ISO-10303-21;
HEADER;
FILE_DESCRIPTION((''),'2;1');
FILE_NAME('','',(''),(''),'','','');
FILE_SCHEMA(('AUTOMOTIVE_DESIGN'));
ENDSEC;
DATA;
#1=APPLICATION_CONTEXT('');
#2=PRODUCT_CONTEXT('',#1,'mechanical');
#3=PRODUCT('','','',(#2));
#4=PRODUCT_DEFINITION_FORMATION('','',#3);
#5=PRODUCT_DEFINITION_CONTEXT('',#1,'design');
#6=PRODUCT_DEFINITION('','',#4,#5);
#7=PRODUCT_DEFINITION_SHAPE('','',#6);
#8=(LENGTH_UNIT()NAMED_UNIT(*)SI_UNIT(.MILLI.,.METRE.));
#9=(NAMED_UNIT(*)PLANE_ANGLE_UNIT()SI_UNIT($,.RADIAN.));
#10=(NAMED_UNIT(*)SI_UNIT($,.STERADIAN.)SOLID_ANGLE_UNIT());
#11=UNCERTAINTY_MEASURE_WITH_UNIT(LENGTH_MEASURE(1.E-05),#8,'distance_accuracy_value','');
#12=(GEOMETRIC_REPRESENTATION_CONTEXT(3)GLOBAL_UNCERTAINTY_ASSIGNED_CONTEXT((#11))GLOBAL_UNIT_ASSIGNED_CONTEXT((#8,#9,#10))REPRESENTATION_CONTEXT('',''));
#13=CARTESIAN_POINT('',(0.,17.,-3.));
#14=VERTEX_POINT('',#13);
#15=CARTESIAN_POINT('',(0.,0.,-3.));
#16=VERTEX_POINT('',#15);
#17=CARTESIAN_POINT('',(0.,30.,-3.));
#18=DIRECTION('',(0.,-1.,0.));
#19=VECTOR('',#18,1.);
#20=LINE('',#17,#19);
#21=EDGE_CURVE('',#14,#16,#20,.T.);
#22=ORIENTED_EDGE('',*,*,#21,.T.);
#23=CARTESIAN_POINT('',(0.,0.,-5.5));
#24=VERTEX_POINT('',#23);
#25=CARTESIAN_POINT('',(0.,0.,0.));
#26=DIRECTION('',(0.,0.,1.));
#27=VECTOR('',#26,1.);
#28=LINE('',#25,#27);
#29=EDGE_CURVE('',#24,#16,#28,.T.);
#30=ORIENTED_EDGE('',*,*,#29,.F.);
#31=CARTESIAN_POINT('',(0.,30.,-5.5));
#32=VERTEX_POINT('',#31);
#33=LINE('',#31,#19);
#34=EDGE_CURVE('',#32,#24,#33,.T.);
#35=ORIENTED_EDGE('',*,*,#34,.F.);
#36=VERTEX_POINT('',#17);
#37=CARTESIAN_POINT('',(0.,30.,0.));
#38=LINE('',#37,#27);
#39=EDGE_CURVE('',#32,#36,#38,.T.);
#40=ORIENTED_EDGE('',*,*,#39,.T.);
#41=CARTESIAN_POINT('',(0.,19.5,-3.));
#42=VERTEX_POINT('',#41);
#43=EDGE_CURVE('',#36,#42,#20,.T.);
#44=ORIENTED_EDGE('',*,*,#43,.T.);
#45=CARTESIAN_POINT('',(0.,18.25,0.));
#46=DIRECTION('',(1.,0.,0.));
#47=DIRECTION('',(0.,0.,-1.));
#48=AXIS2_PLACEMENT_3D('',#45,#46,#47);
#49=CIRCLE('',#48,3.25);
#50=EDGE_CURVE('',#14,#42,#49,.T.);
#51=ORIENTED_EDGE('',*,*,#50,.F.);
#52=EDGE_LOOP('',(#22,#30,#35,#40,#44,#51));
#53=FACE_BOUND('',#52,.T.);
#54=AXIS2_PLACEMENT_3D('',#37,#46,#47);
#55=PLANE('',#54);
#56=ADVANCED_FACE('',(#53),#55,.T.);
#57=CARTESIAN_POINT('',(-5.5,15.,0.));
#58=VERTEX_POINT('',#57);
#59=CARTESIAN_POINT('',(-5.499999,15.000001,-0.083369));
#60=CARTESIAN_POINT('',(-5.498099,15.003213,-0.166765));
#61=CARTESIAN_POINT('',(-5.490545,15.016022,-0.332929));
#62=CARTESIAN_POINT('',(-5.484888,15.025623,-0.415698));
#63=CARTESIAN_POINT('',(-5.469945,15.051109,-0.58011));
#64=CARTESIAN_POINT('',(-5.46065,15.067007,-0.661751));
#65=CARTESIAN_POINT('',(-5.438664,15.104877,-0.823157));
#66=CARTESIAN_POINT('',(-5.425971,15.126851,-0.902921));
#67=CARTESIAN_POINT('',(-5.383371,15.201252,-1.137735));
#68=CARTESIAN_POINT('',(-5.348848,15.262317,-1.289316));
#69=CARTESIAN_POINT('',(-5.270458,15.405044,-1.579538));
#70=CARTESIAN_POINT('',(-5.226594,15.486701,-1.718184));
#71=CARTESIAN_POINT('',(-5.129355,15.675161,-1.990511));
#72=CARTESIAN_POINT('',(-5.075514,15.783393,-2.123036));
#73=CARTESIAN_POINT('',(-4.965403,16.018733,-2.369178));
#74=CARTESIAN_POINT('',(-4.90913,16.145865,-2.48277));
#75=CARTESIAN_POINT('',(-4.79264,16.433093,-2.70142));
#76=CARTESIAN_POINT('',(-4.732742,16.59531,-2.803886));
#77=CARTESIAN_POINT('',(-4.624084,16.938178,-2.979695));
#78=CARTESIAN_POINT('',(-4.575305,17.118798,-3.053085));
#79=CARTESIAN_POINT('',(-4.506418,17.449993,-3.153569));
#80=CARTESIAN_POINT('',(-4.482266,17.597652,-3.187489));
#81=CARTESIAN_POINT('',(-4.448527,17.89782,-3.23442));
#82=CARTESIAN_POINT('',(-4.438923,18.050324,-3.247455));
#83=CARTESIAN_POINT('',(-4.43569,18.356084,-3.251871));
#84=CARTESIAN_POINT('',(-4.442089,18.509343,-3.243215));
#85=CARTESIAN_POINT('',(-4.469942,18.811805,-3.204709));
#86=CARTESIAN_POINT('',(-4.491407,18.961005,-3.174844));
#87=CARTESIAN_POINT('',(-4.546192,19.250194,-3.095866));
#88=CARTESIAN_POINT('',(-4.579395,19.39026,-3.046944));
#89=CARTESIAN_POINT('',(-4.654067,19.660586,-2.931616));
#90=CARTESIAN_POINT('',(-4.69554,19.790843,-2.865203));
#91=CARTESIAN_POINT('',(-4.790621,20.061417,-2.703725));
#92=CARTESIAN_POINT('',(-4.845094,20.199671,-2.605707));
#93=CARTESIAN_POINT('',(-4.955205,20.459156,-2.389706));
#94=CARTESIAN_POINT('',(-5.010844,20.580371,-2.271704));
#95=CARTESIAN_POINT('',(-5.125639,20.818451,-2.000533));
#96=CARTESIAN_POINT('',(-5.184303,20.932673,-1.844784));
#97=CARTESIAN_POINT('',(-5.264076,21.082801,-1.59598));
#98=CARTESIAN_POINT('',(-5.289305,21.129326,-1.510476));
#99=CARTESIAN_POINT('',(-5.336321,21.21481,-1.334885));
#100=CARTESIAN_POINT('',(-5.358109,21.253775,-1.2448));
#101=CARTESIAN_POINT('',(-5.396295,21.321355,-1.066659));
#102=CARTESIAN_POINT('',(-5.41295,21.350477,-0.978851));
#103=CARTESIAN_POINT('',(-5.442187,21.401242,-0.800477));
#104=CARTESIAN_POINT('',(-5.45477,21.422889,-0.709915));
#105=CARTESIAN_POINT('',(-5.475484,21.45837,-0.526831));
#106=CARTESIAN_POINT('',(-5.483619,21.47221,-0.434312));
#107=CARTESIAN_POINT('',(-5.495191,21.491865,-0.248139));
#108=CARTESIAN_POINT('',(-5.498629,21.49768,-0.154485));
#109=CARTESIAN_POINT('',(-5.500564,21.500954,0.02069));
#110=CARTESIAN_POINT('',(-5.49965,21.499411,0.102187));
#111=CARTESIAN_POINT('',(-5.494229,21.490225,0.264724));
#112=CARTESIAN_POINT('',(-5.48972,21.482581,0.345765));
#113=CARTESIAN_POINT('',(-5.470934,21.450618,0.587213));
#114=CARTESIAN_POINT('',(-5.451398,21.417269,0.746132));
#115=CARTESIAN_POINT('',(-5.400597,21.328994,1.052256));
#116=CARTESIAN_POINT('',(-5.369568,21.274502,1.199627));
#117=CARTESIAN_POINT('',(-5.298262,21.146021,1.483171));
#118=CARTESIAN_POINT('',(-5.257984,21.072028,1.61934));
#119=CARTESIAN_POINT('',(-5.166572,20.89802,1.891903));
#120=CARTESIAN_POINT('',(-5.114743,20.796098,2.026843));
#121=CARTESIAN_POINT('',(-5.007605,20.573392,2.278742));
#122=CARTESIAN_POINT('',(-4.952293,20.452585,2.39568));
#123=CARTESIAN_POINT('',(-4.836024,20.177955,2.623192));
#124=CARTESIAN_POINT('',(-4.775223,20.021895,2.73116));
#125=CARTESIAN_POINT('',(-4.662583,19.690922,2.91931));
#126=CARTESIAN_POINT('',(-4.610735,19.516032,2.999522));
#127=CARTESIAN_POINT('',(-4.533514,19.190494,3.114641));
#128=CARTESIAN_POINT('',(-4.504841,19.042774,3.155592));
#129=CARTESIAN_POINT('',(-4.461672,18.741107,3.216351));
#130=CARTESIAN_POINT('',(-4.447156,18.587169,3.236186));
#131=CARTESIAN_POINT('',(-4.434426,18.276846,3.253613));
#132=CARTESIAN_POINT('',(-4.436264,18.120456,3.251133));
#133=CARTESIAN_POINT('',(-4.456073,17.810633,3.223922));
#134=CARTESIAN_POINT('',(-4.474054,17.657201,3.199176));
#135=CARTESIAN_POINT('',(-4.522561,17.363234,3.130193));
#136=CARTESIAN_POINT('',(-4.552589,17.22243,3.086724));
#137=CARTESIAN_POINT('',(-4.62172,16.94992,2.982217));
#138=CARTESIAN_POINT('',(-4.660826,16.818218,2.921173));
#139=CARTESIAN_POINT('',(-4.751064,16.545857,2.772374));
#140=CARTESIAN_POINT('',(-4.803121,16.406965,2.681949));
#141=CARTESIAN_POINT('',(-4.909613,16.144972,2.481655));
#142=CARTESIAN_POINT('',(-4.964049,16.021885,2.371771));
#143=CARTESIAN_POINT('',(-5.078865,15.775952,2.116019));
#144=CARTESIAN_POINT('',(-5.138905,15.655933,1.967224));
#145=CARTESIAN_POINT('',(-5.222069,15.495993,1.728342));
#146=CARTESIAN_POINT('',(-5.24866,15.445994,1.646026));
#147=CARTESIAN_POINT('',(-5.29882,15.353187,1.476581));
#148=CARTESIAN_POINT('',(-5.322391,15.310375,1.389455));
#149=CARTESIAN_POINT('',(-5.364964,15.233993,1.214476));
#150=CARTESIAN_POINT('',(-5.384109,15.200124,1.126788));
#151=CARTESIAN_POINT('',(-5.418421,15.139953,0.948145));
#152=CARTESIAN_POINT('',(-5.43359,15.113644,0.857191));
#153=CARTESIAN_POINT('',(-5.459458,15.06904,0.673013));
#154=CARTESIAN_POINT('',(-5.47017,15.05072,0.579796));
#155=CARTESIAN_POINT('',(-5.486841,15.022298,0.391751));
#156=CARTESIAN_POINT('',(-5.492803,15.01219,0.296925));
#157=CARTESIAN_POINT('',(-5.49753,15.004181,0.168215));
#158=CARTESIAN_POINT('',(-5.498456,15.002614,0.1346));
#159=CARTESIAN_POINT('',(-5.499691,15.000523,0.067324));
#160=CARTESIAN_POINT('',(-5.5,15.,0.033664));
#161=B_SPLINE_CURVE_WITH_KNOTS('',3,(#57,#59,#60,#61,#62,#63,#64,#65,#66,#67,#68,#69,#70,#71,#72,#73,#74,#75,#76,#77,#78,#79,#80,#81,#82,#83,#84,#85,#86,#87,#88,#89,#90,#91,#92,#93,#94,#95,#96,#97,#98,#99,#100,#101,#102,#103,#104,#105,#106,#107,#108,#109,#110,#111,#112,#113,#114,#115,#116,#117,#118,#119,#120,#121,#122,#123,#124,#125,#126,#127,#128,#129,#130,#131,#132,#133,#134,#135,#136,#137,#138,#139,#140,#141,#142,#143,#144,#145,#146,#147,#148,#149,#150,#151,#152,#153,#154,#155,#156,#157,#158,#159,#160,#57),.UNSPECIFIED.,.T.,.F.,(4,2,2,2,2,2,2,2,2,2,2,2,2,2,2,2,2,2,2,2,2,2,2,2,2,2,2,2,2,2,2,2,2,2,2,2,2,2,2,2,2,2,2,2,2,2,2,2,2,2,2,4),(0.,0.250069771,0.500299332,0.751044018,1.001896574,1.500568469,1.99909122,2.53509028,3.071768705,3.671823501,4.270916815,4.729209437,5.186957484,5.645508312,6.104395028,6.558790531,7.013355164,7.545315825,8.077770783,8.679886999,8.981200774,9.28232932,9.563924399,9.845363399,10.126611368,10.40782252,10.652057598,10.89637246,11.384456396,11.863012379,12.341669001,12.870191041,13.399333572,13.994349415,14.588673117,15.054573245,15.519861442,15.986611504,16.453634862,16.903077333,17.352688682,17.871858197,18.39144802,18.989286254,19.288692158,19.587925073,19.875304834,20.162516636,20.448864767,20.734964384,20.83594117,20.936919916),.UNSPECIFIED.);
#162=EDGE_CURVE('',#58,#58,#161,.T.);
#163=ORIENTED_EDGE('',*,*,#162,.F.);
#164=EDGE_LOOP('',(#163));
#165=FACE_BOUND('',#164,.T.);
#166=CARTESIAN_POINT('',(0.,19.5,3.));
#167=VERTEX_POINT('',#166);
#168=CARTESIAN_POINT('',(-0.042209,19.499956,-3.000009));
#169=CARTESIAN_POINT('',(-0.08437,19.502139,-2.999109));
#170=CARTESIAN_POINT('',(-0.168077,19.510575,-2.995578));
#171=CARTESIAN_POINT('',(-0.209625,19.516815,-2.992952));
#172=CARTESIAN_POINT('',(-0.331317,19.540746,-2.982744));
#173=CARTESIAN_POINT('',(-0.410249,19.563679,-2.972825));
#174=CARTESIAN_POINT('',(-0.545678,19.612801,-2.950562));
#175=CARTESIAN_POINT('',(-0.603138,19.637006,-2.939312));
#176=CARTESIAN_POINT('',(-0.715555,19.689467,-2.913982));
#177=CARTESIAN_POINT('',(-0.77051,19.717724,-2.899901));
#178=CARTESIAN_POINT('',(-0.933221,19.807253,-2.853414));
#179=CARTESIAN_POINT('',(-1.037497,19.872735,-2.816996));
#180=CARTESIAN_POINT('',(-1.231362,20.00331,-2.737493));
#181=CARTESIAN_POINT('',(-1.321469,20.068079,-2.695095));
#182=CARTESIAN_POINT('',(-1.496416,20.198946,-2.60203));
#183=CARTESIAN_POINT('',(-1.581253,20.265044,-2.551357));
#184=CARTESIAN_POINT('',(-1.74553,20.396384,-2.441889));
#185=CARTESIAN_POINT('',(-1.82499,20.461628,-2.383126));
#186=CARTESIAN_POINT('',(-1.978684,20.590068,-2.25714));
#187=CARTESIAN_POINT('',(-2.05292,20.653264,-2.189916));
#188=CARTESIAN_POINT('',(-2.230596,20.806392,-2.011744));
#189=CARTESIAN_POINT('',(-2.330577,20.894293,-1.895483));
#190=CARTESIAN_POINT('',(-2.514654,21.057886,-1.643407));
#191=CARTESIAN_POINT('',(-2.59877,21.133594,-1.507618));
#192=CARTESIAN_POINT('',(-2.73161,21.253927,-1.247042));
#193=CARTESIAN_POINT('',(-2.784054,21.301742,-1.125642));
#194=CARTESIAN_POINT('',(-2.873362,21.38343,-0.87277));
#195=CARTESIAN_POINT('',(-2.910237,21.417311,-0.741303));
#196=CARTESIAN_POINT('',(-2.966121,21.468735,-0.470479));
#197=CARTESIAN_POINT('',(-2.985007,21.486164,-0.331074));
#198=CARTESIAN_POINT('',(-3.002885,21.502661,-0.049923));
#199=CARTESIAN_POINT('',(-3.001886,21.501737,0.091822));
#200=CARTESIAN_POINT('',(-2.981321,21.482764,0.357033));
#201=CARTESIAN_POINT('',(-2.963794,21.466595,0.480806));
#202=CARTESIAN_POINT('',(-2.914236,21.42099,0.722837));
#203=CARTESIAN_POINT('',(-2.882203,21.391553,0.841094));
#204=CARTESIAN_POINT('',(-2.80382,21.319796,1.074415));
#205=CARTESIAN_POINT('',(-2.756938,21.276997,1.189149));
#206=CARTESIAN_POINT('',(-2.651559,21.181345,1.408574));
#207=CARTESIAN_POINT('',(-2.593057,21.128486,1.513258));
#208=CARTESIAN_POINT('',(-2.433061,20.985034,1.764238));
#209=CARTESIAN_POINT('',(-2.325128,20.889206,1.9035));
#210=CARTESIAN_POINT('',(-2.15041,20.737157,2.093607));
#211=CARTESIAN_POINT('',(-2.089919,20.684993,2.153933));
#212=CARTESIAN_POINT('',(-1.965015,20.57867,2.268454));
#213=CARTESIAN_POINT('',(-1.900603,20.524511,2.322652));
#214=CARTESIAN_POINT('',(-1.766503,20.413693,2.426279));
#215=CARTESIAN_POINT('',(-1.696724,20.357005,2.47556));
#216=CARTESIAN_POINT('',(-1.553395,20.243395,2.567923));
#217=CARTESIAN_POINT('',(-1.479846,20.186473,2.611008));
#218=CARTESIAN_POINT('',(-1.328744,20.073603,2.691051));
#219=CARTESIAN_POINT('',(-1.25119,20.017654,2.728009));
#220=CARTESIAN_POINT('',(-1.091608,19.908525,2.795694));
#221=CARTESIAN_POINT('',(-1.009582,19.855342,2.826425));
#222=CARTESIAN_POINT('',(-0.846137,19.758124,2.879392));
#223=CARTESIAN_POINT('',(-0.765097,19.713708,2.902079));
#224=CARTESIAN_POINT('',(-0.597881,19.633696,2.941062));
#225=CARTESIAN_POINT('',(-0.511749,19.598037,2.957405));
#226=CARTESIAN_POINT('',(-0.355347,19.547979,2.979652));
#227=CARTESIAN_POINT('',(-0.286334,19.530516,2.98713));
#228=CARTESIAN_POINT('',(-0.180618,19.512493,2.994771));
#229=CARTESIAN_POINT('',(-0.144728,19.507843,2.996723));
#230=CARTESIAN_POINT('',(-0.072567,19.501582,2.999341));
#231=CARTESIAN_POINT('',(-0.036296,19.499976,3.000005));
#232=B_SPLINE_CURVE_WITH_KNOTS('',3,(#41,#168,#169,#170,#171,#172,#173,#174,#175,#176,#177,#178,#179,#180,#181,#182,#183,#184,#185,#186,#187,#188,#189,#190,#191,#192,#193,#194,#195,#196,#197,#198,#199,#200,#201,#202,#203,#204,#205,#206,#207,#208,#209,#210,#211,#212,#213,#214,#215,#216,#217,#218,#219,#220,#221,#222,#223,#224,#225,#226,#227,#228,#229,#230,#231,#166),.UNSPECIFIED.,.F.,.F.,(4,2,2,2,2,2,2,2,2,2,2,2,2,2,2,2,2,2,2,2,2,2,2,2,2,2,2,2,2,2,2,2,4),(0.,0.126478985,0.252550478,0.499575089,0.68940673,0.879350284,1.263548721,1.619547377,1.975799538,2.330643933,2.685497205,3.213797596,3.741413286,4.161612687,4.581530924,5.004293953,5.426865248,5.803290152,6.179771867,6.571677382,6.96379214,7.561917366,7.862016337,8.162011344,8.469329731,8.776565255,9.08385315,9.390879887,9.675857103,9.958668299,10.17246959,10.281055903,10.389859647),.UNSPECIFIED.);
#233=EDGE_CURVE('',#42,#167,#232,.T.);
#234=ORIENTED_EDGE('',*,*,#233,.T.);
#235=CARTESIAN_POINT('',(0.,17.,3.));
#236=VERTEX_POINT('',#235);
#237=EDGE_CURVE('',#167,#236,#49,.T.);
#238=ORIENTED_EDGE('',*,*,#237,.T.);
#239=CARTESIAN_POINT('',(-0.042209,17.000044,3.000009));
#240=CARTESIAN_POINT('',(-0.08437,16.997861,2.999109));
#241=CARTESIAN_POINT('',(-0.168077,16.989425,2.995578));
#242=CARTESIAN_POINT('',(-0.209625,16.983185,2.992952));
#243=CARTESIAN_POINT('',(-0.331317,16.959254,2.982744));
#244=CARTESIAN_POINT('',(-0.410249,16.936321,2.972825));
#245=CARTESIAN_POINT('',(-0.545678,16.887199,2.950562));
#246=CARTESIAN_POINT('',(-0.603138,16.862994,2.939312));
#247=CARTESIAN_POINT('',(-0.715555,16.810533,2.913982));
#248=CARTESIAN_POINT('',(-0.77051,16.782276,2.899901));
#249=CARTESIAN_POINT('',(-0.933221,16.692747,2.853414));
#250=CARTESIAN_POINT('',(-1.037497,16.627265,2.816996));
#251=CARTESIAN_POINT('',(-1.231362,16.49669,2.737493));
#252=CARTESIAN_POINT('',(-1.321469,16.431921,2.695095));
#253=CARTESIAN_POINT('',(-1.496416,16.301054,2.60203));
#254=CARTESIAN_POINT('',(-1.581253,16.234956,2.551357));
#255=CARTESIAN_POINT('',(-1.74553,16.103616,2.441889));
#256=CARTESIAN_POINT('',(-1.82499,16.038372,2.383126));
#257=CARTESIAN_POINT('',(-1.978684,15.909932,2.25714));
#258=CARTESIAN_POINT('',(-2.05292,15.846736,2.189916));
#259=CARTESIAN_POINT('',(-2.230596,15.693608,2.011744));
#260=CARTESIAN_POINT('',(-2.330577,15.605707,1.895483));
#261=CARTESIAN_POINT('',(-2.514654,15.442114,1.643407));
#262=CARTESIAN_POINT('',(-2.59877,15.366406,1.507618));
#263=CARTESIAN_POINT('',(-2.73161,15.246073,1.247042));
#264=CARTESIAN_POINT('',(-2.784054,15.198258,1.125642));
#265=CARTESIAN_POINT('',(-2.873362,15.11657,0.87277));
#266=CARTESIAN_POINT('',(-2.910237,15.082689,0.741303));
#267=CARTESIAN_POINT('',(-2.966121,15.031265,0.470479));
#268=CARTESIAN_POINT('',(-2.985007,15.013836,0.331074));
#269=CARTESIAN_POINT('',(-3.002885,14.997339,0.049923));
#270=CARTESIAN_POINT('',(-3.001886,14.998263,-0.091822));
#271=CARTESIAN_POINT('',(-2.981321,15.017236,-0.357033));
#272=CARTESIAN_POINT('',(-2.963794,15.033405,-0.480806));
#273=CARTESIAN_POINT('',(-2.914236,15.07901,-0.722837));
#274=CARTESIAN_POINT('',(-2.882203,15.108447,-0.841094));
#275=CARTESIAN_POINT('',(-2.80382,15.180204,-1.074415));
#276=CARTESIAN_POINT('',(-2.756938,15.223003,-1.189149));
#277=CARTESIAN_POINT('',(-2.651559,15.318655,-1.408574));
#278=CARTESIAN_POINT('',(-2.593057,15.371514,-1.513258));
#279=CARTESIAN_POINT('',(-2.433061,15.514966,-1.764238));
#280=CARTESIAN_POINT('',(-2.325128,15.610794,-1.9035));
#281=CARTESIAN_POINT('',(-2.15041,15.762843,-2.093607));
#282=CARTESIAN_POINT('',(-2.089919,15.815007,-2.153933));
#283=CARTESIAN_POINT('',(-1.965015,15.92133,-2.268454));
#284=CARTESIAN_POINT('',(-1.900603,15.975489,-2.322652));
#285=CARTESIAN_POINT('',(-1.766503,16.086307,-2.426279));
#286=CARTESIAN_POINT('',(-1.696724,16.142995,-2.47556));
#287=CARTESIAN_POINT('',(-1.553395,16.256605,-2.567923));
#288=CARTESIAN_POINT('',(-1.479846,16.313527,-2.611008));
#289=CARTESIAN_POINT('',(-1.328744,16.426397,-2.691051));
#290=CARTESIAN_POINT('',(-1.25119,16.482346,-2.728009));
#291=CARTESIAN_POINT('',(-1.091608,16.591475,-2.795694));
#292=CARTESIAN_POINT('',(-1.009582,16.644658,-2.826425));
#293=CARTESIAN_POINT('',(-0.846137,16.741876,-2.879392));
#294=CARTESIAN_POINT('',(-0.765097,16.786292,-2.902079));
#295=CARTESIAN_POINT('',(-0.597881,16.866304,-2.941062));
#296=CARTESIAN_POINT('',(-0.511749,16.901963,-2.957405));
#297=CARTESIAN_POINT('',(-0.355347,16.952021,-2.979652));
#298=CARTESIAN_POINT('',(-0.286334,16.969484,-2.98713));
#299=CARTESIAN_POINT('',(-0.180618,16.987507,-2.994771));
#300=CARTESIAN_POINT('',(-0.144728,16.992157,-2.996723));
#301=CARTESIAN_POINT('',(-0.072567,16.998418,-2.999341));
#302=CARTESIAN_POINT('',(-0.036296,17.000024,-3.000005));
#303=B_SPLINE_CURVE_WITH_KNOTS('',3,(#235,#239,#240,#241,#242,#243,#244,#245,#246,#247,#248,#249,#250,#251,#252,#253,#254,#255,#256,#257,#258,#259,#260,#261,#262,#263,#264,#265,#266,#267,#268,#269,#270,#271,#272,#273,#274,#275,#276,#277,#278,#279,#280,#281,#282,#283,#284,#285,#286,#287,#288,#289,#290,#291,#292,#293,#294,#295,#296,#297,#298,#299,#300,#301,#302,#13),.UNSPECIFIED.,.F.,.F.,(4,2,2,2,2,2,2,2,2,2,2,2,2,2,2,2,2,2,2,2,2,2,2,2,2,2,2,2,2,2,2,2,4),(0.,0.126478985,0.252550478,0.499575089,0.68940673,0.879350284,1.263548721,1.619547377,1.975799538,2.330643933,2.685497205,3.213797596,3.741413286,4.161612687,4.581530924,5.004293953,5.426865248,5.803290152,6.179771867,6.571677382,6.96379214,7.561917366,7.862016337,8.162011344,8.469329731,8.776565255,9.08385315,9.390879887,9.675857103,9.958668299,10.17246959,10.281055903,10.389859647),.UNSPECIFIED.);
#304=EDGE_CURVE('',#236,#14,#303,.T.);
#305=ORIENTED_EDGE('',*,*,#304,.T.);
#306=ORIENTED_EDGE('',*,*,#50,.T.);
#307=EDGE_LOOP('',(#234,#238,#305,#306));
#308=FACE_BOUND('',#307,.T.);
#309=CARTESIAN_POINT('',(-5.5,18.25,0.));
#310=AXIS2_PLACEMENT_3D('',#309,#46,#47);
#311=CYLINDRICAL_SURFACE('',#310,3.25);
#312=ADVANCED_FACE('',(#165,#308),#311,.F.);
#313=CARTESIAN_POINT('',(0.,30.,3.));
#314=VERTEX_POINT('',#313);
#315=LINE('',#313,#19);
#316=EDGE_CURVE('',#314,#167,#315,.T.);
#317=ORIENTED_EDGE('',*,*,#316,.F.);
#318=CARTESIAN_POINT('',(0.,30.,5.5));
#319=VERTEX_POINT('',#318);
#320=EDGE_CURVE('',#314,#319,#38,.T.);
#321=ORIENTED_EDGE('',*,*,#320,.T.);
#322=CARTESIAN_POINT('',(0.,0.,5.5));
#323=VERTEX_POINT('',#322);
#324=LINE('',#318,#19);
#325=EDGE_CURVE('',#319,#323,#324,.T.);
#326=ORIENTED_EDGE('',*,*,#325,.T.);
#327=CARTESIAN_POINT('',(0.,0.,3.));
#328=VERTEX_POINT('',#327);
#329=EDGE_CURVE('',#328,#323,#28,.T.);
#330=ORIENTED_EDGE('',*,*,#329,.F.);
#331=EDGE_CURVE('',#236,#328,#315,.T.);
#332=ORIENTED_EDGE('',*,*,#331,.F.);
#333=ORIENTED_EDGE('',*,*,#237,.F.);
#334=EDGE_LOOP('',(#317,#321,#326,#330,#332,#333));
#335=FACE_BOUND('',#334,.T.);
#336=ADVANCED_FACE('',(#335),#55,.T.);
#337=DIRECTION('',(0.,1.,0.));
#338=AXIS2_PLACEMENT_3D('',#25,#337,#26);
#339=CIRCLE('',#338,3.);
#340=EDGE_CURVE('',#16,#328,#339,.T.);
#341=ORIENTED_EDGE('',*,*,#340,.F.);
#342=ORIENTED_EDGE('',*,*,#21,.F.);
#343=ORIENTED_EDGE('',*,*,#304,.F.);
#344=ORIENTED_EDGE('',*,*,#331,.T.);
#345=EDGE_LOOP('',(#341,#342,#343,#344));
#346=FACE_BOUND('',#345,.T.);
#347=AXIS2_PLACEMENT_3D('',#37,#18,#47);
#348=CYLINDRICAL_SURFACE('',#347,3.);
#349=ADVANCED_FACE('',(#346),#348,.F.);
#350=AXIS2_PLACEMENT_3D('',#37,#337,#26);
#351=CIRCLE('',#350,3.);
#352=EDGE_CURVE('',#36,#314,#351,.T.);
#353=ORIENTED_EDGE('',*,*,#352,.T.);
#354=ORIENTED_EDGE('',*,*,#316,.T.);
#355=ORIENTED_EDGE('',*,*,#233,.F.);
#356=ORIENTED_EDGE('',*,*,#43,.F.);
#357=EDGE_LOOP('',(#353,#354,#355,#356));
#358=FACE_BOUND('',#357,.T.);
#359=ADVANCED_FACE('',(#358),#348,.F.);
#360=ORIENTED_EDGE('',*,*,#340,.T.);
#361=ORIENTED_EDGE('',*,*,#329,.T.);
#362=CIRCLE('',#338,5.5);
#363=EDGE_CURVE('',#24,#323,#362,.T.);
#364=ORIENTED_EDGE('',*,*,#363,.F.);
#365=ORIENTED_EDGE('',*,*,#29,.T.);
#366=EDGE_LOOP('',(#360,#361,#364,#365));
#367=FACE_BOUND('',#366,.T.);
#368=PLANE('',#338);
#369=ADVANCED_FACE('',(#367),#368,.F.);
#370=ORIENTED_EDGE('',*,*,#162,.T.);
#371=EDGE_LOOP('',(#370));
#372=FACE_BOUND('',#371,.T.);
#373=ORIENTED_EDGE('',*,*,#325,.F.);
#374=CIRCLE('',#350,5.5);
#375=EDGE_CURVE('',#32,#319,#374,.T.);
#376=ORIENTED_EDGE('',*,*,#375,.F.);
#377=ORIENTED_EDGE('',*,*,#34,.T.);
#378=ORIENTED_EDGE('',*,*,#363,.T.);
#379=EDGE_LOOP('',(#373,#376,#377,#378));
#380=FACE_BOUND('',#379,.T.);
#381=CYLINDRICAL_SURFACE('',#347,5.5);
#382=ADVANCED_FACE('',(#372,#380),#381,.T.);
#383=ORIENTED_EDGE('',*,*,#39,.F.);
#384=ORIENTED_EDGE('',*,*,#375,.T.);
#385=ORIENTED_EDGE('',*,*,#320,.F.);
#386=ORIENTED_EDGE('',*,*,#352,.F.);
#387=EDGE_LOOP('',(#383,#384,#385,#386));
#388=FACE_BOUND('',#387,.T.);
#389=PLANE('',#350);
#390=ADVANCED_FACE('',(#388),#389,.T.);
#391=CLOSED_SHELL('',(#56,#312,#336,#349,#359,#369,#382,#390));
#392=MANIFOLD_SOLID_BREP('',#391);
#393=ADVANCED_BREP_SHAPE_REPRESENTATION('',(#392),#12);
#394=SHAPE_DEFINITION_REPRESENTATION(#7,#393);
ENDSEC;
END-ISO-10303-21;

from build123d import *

# Parameters (mm, degrees)
BOSS_EXTRUDE1_DEPTH     = 30
CUT_EXTRUDE1_DEPTH      = 31.991934435
CUT_EXTRUDE1_DEPTH_BACK = 31.991934435
SKETCH2_R               = 3.25


with BuildPart() as part:
    # Sketch1 → Boss-Extrude1 (new body)
    with BuildSketch(Plane(origin=(0, 0, 0), x_dir=(1, 0, 0), z_dir=(0, 1, 0))):
        with BuildLine():
            Line((0, 5.5), (0, 3))
            ThreePointArc((0, 3), (-3, 0), (0, -3))
            Line((0, -3), (0, -5.5))
            ThreePointArc((0, -5.5), (-5.5, 0), (0, 5.5))
        make_face()
    extrude(amount=BOSS_EXTRUDE1_DEPTH)

    # Sketch2 → Cut-Extrude1 (cut, two sides: drawn at the far end of the back side and taken through both)
    with BuildSketch(Plane(origin=(0, 0, 0), x_dir=(0, 0, -1), z_dir=(1, 0, 0)).offset(-CUT_EXTRUDE1_DEPTH_BACK)):
        with Locations(Location((0, 18.25, 0), (0, 0, 337.380135052))):
            Circle(SKETCH2_R)
    extrude(amount=CUT_EXTRUDE1_DEPTH + CUT_EXTRUDE1_DEPTH_BACK, mode=Mode.SUBTRACT)


solid = part.part
